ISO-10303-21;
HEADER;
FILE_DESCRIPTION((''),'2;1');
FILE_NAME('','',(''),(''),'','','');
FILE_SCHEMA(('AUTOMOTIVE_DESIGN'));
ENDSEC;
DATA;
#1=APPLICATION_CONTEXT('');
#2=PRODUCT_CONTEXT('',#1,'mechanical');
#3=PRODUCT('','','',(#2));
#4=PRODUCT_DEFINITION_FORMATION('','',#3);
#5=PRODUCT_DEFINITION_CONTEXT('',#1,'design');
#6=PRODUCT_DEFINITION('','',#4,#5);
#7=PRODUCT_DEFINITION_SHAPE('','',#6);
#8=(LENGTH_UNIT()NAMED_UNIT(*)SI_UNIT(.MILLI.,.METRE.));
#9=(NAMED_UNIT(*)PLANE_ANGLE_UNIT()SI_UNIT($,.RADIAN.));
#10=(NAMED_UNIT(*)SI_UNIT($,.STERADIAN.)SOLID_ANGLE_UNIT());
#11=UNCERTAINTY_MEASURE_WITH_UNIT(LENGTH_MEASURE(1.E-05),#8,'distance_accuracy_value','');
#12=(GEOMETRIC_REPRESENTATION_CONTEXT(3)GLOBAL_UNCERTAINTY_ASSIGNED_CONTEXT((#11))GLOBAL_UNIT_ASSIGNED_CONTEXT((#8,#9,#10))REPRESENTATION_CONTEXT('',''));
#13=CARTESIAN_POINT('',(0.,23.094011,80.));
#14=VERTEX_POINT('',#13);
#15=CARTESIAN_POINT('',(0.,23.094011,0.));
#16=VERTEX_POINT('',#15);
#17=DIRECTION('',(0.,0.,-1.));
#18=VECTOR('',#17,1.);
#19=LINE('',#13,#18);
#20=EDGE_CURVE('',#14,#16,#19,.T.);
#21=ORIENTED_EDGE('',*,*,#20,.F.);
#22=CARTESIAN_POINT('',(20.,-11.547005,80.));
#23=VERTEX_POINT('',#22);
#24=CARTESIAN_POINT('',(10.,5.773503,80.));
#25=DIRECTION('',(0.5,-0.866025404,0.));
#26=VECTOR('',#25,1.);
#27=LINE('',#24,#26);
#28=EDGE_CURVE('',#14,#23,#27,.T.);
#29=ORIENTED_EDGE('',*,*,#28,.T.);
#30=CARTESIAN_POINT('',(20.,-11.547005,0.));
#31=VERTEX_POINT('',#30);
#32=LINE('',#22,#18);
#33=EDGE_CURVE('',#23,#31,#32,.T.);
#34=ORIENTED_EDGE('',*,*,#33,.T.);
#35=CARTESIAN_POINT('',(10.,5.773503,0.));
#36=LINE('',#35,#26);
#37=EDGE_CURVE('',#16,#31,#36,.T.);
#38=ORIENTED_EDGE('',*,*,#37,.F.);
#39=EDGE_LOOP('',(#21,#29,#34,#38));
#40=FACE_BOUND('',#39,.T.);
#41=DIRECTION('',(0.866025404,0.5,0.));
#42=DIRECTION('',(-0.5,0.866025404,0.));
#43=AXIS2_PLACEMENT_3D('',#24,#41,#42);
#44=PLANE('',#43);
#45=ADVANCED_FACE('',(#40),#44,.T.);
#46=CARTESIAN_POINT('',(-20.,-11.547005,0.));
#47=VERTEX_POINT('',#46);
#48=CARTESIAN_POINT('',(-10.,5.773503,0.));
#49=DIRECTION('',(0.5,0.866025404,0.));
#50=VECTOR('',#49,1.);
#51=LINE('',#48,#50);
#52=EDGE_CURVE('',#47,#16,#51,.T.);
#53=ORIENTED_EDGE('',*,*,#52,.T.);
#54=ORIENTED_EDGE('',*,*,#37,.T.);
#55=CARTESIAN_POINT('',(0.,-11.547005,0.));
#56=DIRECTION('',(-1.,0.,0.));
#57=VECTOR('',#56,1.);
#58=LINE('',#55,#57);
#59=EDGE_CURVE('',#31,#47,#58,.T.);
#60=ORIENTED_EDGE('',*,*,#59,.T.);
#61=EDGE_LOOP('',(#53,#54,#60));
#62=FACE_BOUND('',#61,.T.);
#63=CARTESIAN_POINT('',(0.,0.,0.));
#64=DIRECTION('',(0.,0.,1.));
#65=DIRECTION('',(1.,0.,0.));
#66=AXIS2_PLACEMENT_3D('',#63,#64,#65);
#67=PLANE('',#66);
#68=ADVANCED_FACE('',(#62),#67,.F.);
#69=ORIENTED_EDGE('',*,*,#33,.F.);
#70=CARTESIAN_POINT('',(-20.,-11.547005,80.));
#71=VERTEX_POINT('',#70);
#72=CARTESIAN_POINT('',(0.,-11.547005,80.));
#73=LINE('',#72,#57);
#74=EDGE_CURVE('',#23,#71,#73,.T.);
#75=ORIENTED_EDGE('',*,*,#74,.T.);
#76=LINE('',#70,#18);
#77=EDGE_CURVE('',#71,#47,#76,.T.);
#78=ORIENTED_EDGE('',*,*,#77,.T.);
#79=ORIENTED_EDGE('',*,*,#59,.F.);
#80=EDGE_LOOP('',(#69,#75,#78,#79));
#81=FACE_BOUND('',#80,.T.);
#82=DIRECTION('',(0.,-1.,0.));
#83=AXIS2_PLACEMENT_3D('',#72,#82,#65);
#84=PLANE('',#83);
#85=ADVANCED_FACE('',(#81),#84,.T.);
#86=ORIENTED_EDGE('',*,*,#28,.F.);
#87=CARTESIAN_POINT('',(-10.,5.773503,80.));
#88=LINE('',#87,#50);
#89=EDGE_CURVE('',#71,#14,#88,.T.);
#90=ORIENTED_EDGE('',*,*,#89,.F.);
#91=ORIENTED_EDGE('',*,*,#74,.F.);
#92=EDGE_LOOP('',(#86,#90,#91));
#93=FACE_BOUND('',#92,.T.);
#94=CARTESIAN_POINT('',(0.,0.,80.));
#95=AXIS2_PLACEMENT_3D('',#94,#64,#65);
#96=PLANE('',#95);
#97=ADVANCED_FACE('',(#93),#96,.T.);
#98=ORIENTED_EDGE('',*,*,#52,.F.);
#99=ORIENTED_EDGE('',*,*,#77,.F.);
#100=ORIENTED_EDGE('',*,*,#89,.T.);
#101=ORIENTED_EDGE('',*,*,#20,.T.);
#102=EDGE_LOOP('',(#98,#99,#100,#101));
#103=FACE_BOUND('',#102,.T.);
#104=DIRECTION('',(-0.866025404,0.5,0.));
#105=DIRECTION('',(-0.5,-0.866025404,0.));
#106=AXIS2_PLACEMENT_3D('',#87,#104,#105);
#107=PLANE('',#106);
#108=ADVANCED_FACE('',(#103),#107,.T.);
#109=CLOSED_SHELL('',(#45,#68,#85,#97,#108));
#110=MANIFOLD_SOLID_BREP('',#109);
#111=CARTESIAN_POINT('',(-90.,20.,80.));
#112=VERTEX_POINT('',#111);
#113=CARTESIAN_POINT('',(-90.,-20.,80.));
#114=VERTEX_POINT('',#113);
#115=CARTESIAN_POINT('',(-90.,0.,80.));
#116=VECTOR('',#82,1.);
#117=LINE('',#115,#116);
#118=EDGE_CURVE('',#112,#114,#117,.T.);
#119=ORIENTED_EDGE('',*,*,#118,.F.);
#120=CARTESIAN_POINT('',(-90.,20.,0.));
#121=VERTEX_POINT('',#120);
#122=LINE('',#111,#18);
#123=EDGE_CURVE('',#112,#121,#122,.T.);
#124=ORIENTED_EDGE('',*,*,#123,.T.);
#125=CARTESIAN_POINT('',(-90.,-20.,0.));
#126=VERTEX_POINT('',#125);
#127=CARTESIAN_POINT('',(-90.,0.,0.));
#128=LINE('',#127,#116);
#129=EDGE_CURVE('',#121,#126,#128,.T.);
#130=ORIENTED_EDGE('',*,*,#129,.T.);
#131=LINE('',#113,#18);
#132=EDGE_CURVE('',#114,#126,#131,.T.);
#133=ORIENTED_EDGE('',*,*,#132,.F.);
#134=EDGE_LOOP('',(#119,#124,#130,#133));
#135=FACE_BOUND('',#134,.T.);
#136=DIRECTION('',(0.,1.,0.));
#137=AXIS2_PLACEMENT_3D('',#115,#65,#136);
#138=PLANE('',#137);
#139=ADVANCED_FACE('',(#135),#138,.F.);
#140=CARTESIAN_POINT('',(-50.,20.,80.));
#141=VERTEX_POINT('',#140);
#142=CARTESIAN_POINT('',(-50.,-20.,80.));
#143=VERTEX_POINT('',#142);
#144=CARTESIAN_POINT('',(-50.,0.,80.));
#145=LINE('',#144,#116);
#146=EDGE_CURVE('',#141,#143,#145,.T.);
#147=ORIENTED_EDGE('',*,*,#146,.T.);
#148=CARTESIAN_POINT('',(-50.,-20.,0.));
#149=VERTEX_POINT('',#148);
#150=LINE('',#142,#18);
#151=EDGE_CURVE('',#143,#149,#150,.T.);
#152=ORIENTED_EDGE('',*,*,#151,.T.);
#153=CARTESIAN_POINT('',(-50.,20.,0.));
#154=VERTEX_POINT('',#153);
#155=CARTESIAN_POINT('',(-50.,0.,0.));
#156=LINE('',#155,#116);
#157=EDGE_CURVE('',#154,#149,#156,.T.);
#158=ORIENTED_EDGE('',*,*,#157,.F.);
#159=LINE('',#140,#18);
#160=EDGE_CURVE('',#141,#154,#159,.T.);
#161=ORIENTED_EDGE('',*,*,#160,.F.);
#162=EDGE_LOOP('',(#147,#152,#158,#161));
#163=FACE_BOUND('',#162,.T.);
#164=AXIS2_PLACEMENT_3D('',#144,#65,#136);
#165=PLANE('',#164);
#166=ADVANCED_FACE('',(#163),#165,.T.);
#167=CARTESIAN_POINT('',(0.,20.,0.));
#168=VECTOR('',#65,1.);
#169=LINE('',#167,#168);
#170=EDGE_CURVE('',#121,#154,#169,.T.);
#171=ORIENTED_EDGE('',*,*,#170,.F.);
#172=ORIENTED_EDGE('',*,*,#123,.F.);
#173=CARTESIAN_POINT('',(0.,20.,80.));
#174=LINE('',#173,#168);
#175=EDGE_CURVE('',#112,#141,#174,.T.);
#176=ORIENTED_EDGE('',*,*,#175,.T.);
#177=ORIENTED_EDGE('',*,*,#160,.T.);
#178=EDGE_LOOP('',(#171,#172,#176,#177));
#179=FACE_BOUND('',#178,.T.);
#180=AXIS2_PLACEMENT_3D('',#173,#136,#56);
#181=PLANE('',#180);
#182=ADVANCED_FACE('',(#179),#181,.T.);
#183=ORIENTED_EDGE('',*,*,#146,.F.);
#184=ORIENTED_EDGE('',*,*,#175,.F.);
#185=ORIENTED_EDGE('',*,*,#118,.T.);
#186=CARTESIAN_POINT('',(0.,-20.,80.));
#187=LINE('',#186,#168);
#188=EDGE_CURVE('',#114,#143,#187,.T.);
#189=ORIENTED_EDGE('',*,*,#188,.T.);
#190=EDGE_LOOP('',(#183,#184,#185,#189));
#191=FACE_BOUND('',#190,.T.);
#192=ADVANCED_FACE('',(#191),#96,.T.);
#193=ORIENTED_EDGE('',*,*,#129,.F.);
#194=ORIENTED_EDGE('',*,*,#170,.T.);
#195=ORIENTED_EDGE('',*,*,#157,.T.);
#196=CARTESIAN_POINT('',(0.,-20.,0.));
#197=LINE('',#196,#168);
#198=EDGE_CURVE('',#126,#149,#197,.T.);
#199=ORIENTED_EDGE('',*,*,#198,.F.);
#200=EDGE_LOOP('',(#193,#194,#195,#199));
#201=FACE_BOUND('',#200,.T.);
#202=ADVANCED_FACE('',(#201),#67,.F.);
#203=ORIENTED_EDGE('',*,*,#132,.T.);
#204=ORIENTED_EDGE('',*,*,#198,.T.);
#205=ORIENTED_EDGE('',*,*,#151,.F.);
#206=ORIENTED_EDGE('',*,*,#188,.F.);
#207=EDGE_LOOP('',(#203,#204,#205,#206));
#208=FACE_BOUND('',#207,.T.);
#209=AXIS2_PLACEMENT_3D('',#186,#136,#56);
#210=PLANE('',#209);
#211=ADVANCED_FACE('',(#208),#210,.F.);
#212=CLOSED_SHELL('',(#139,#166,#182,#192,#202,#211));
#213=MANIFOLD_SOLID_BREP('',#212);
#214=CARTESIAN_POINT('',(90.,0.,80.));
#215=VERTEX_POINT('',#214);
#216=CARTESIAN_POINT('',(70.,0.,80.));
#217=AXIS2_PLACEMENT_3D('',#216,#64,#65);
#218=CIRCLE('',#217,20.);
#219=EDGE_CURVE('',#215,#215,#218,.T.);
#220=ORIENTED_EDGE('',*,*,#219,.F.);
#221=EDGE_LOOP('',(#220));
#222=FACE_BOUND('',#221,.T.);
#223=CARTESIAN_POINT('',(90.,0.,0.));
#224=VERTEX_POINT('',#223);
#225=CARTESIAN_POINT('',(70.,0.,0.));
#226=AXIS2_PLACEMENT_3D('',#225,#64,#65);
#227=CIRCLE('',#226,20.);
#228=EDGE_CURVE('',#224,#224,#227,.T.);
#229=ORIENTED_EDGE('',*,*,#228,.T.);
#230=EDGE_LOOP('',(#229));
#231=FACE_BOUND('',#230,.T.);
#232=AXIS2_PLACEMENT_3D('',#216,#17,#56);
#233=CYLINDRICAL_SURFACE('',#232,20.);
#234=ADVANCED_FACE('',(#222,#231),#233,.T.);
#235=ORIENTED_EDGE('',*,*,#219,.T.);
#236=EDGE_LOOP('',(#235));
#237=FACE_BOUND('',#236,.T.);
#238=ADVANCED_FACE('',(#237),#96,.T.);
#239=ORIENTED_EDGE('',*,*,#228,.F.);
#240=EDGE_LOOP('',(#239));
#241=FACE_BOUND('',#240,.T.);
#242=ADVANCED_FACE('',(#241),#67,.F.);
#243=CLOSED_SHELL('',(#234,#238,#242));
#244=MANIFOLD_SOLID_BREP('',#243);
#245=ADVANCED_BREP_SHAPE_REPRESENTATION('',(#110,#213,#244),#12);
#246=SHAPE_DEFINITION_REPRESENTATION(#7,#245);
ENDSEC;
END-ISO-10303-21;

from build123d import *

# Parameters (mm, degrees)
SKETCH1_R             = 20
BOSS_EXTRUDE1_DEPTH   = 80
BOSS_EXTRUDE1_2_DEPTH = 80
SKETCH1_W             = 40
SKETCH1_H             = 40
BOSS_EXTRUDE1_3_DEPTH = 80


with BuildPart() as part:
    # Sketch1 → Boss-Extrude1 (new body)
    with BuildSketch(Plane.XY):
        with Locations((70, 0)):
            Circle(SKETCH1_R)
    extrude(amount=BOSS_EXTRUDE1_DEPTH)


with BuildPart() as body_2:
    # Sketch1 → Boss-Extrude1 2 (new body)
    with BuildSketch(Plane.XY):
        Polygon((-20, -11.547005384), (0, 23.094010768), (20, -11.547005384), align=None)
    extrude(amount=BOSS_EXTRUDE1_2_DEPTH)


with BuildPart() as body_3:
    # Sketch1 → Boss-Extrude1 3 (new body)
    with BuildSketch(Plane.XY):
        with Locations((-70, 0)):
            Rectangle(SKETCH1_W, SKETCH1_H)
    extrude(amount=BOSS_EXTRUDE1_3_DEPTH)


solid = Compound([part.part, body_2.part, body_3.part])
